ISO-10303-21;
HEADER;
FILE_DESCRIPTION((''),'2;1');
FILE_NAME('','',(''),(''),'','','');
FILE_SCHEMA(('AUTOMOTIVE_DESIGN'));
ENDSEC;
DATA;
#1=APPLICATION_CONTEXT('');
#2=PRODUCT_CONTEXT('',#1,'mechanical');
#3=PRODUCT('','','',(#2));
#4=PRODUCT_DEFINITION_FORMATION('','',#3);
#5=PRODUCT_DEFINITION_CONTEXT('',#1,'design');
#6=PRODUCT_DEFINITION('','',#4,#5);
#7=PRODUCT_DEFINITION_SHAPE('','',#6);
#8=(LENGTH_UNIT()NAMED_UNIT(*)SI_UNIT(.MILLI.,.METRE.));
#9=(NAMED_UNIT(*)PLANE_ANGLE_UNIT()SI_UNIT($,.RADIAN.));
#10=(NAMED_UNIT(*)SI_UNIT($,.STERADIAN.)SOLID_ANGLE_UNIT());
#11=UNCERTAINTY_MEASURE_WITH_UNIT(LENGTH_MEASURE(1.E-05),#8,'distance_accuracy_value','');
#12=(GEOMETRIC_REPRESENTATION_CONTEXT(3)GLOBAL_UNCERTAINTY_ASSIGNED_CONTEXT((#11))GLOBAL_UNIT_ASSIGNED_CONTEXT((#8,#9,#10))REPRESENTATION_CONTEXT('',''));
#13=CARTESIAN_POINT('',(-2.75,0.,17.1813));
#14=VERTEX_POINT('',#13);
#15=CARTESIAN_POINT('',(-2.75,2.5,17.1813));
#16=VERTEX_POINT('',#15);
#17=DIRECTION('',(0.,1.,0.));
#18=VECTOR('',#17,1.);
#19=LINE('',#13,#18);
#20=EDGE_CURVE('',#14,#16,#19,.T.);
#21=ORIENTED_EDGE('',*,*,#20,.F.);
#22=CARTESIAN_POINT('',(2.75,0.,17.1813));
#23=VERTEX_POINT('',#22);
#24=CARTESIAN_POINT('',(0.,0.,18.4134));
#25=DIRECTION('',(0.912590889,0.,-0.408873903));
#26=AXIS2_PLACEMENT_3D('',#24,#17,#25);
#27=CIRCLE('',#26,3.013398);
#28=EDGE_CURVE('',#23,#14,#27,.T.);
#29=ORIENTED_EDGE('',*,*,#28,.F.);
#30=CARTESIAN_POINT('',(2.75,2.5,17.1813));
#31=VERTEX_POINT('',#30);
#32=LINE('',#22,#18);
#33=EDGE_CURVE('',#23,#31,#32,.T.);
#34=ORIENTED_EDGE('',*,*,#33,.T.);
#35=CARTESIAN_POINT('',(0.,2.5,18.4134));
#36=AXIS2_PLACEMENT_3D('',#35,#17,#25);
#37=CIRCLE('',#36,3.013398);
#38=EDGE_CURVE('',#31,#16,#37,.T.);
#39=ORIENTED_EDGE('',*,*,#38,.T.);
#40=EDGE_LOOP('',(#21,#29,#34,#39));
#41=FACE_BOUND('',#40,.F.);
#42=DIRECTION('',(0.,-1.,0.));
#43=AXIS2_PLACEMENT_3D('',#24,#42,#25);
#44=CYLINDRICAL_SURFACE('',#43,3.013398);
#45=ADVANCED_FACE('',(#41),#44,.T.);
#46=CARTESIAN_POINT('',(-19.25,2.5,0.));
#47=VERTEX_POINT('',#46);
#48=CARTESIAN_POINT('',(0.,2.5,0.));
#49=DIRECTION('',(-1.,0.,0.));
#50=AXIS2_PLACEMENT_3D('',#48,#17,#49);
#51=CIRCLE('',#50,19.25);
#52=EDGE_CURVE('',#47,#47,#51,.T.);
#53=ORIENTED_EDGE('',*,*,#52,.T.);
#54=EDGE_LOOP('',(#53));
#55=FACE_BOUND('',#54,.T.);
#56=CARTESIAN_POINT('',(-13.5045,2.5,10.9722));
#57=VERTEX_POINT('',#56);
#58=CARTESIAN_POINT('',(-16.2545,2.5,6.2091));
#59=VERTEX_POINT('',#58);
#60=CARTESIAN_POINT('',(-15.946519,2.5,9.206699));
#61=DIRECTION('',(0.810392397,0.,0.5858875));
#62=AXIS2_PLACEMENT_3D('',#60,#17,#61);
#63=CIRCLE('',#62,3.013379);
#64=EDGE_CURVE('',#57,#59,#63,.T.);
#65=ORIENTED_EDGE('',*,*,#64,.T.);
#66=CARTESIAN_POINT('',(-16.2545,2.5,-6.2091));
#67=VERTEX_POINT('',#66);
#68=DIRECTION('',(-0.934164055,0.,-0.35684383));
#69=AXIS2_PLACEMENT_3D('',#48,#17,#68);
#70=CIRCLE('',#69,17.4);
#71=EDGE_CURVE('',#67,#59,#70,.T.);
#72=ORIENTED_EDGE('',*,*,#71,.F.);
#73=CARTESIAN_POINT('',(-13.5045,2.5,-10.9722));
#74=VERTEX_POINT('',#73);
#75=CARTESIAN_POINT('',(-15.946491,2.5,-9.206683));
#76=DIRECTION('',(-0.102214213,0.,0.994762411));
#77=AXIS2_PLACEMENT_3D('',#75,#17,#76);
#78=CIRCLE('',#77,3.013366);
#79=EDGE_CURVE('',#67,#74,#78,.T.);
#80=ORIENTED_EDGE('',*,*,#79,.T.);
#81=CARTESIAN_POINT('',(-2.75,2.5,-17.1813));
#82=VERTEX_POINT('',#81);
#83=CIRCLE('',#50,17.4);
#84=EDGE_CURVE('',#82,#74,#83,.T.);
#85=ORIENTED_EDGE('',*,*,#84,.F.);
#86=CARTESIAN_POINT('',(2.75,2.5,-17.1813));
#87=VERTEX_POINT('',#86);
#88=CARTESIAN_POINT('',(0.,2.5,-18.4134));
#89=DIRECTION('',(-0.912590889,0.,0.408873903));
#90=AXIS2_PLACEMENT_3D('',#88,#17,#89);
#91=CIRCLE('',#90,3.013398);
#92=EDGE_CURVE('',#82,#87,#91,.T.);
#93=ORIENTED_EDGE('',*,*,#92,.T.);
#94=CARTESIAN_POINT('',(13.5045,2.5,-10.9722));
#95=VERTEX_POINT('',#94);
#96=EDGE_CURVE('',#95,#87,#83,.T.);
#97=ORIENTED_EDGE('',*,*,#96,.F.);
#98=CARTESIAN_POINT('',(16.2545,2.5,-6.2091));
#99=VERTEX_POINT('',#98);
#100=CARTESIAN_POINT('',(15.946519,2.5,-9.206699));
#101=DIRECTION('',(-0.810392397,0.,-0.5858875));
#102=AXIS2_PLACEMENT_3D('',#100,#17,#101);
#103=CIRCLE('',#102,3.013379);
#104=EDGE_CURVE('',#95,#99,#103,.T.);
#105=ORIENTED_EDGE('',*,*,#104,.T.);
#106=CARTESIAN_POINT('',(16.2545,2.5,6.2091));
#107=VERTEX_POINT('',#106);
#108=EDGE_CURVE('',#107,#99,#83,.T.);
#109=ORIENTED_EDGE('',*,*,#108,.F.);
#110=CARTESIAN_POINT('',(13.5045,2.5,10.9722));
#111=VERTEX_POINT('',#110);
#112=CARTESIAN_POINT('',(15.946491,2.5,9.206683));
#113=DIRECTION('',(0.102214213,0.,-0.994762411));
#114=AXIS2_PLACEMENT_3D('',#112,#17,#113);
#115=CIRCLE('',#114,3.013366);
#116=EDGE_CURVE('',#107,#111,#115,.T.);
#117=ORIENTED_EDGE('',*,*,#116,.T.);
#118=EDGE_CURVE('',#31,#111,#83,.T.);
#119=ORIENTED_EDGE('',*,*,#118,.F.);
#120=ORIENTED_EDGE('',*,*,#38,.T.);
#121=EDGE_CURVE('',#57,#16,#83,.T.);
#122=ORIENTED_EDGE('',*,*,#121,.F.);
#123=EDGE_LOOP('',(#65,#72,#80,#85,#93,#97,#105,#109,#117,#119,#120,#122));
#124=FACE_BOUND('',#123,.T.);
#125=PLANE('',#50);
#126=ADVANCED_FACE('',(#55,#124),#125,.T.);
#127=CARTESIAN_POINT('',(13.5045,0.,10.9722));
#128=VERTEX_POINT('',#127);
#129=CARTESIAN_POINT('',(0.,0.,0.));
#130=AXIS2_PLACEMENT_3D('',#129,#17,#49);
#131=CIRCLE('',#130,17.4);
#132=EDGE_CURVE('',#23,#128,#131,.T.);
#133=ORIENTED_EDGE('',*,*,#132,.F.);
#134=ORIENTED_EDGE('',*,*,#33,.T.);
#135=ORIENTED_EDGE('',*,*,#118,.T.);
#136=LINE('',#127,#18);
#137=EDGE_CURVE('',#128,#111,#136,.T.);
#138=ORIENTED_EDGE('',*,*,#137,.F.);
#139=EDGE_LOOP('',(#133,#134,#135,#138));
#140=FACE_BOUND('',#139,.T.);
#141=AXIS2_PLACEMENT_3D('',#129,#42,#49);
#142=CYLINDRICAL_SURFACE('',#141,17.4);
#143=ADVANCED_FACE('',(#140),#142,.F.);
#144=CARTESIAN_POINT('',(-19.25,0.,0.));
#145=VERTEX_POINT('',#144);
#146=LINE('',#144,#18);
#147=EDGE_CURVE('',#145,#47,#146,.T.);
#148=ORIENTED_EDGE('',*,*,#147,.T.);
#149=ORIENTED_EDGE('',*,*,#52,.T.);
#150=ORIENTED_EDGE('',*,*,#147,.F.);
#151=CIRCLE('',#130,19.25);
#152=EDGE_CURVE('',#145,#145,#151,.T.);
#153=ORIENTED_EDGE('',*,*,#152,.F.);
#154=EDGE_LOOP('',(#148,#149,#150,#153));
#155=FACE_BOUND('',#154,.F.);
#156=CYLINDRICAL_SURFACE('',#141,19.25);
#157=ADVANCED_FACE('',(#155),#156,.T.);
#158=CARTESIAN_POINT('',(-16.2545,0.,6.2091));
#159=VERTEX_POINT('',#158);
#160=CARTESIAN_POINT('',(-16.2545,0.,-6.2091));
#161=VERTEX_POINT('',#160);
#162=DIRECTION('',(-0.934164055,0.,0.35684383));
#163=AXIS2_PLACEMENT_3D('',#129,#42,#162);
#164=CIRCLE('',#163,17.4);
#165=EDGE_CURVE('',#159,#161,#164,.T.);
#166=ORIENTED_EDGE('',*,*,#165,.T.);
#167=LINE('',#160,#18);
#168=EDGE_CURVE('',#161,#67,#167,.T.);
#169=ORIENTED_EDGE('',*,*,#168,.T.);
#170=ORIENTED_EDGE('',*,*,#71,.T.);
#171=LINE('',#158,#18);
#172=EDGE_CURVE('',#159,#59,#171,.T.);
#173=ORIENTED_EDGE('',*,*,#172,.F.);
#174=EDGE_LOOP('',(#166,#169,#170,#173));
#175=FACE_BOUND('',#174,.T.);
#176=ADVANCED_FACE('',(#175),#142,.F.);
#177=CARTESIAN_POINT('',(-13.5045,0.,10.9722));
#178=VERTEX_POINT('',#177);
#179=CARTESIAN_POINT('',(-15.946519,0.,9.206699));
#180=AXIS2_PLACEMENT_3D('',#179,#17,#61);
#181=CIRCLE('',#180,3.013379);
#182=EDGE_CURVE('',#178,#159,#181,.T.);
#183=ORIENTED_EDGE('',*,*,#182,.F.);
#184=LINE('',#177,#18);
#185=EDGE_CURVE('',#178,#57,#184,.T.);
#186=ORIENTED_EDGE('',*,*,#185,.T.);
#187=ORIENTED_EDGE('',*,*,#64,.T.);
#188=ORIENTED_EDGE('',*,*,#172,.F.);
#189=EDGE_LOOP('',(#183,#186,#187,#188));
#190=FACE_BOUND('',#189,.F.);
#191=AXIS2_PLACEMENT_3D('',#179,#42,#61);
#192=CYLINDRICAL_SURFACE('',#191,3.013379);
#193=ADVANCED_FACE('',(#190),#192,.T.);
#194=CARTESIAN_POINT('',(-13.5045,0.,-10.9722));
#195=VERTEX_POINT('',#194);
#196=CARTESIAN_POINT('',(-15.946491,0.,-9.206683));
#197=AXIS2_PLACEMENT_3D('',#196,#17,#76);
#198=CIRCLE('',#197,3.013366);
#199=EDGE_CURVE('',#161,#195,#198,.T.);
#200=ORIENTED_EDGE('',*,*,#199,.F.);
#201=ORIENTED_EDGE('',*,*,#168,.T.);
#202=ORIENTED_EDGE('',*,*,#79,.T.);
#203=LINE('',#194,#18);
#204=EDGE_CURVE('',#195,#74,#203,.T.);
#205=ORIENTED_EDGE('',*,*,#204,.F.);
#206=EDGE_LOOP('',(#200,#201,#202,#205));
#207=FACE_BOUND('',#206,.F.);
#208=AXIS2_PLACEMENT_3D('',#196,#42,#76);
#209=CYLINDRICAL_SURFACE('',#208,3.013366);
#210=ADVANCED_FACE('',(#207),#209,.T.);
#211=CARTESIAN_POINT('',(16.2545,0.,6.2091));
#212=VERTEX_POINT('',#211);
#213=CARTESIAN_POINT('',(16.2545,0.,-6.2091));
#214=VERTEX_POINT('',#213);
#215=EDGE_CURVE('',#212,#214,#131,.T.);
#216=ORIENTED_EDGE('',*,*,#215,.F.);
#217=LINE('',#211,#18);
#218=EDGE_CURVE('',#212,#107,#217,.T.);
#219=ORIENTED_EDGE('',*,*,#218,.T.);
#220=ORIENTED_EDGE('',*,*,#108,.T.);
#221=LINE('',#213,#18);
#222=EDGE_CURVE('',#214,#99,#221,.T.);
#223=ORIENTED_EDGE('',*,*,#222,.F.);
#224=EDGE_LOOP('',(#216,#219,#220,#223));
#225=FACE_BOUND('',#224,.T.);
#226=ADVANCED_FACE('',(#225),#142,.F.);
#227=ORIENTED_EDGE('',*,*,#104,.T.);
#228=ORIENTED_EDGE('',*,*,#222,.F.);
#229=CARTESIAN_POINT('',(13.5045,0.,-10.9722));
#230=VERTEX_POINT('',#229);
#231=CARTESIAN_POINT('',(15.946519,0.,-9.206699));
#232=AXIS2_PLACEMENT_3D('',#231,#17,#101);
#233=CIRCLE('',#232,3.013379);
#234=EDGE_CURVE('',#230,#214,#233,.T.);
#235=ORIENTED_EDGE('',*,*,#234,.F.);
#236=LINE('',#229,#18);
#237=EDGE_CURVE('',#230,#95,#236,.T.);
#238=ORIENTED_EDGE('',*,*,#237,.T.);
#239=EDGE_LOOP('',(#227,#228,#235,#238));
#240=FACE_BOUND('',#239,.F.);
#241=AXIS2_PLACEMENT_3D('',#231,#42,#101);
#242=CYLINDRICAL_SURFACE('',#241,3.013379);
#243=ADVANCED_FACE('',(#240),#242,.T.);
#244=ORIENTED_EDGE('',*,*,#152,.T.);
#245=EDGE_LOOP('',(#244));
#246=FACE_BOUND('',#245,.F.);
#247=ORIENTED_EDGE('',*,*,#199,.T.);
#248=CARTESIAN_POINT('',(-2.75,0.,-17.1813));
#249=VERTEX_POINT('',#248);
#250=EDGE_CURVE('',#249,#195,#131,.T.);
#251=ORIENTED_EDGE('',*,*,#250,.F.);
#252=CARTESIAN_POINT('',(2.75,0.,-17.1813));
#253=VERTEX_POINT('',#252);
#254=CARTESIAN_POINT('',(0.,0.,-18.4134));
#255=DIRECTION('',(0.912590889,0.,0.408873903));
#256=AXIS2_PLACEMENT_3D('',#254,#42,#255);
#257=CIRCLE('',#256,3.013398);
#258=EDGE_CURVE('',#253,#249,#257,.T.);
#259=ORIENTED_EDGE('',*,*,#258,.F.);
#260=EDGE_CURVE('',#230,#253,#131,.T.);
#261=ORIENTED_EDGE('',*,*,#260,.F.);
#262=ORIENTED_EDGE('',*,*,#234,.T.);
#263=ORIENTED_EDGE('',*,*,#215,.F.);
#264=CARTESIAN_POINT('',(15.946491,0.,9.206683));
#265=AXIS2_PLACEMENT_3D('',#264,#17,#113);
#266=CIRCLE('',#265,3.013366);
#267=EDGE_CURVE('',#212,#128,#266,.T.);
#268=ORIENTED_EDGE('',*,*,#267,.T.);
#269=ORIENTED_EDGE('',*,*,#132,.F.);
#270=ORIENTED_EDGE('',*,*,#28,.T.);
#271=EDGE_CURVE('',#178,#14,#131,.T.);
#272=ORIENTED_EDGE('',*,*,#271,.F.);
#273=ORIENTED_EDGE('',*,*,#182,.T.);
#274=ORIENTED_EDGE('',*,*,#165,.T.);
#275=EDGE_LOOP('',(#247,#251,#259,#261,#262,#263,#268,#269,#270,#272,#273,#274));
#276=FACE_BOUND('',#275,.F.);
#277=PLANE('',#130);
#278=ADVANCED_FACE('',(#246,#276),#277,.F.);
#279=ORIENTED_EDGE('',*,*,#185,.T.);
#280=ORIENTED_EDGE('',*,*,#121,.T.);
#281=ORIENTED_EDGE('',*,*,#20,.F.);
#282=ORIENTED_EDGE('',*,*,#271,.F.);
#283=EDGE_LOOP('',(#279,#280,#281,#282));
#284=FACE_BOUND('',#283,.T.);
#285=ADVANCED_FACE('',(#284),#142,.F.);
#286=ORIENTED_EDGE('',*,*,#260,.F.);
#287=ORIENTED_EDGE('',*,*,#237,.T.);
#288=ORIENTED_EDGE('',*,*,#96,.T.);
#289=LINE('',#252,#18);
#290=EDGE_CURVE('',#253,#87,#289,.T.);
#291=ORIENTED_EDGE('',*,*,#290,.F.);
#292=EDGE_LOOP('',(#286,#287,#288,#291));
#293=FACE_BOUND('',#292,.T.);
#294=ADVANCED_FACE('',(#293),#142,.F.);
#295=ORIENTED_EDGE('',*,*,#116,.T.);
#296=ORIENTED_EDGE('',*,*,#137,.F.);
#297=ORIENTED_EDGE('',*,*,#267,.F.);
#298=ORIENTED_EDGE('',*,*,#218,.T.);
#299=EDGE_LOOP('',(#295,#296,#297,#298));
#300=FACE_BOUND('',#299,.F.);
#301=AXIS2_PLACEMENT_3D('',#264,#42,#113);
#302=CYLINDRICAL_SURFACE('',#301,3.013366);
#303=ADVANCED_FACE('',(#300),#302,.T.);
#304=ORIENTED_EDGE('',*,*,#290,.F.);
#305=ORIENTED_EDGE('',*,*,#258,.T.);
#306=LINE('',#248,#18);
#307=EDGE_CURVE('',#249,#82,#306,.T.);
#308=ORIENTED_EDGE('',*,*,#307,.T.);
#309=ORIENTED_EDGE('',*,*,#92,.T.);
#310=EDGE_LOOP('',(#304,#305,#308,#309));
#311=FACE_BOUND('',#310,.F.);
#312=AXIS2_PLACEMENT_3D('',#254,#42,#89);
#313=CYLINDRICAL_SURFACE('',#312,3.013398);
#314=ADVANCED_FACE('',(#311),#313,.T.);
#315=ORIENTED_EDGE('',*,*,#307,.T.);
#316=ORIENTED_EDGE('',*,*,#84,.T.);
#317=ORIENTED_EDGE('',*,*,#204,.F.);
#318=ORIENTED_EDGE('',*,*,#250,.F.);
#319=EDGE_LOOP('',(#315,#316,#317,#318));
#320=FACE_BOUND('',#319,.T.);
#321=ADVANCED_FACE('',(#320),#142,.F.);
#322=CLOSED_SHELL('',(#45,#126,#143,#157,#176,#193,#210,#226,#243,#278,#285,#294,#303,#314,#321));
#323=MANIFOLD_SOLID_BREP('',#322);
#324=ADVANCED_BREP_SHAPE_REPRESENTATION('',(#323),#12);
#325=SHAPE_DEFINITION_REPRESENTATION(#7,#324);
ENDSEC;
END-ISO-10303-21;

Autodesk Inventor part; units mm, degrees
ref_plane "YZ Plane" through (0, 0, 0) normal (1, 0, 0) x (0, 1, 0)
ref_plane "XZ Plane" through (0, 0, 0) normal (0, 1, 0) x (-1, 0, 0)
ref_plane "XY Plane" through (0, 0, 0) normal (0, 0, 1) x (1, 0, 0)
sketch "BASEsc" plane through (0, 0, 0) normal (0, 1, 0) x (-1, 0, 0)
  point P0 (0, 0)
sketch "スケッチ2" plane through (0, 0, 0) normal (0, 1, 0) x (-1, 0, 0)
  circle A0 centre (0, 0) radius 17.4
  line L0 (0, -17.4) -> (0, -15.4)
  line L1 (2.75, -16.847) -> (-2.75, -16.847) construction
  line L2 (-2.75, -16.847) -> (-2.75, -17.953) construction
  line L3 (-2.75, -17.953) -> (2.75, -17.953) construction
  line L4 (2.75, -17.953) -> (2.75, -16.847) construction
  line L5 (2.75, -16.847) -> (-2.75, -17.953) construction
  line L6 (-2.75, -16.847) -> (2.75, -17.953) construction
  arc A1 (2.75, -17.1813) -> (-2.75, -17.1813) centre (0, -18.4134) ccw
  arc A2 (16.2545, -6.2091) -> (13.5045, -10.9722) centre (15.9465, -9.2067) ccw
  arc A3 (13.5045, 10.9722) -> (16.2545, 6.2091) centre (15.9465, 9.2067) ccw
  arc A4 (-2.75, 17.1813) -> (2.75, 17.1813) centre (0, 18.4134) ccw
  arc A5 (-16.2545, 6.2091) -> (-13.5045, 10.9722) centre (-15.9465, 9.2067) ccw
  arc A6 (-13.5045, -10.9722) -> (-16.2545, -6.2091) centre (-15.9465, -9.2067) ccw
  circle A7 centre (0, 0) radius 19.25
  point P0 (13.3368, -7.7)
  point P1 (13.3368, 7.7)
  point P2 (0, 15.4)
  point P3 (-13.3368, 7.7)
  point P4 (-13.3368, -7.7)
  point P5 (13.5045, -10.9722)
  point P6 (-13.5045, -10.9722)
  point P7 (-16.2545, -6.2091)
  point P8 (-13.5045, 10.9722)
  point P9 (16.2545, 6.2091)
  dimension "d0" = 34.8
  dimension "d1" = 2
  dimension "d2" = 5.5
  dimension "d5" = 360
  dimension "d7" = 38.5
extrude "押し出し1" add sketch "スケッチ2" along normal blind 2.5 contours A3 A0 | A0 A2 | A4 A0 | A0 L0 A1 | A0 A1 L0 | A5 A0 | A0 A6 | A7
equation "\"BendRadius\" = Thickness"
equation "\"BendReliefWidth\" = Thickness"
equation "\"BendReliefDepth\" = 0.5 * Thickness"
equation "\"CornerReliefSize\" = 4 * Thickness"
equation "\"MinimumRemnant\" = 2 * Thickness"
equation "\"TransitionRadius\" = BendRadius"
equation "\"JacobiRadiusSize\" = BendRadius"
equation "\"GapSize\" = Thickness"
equation "\"Thickness\" = 0.5"
properties part number "template"
